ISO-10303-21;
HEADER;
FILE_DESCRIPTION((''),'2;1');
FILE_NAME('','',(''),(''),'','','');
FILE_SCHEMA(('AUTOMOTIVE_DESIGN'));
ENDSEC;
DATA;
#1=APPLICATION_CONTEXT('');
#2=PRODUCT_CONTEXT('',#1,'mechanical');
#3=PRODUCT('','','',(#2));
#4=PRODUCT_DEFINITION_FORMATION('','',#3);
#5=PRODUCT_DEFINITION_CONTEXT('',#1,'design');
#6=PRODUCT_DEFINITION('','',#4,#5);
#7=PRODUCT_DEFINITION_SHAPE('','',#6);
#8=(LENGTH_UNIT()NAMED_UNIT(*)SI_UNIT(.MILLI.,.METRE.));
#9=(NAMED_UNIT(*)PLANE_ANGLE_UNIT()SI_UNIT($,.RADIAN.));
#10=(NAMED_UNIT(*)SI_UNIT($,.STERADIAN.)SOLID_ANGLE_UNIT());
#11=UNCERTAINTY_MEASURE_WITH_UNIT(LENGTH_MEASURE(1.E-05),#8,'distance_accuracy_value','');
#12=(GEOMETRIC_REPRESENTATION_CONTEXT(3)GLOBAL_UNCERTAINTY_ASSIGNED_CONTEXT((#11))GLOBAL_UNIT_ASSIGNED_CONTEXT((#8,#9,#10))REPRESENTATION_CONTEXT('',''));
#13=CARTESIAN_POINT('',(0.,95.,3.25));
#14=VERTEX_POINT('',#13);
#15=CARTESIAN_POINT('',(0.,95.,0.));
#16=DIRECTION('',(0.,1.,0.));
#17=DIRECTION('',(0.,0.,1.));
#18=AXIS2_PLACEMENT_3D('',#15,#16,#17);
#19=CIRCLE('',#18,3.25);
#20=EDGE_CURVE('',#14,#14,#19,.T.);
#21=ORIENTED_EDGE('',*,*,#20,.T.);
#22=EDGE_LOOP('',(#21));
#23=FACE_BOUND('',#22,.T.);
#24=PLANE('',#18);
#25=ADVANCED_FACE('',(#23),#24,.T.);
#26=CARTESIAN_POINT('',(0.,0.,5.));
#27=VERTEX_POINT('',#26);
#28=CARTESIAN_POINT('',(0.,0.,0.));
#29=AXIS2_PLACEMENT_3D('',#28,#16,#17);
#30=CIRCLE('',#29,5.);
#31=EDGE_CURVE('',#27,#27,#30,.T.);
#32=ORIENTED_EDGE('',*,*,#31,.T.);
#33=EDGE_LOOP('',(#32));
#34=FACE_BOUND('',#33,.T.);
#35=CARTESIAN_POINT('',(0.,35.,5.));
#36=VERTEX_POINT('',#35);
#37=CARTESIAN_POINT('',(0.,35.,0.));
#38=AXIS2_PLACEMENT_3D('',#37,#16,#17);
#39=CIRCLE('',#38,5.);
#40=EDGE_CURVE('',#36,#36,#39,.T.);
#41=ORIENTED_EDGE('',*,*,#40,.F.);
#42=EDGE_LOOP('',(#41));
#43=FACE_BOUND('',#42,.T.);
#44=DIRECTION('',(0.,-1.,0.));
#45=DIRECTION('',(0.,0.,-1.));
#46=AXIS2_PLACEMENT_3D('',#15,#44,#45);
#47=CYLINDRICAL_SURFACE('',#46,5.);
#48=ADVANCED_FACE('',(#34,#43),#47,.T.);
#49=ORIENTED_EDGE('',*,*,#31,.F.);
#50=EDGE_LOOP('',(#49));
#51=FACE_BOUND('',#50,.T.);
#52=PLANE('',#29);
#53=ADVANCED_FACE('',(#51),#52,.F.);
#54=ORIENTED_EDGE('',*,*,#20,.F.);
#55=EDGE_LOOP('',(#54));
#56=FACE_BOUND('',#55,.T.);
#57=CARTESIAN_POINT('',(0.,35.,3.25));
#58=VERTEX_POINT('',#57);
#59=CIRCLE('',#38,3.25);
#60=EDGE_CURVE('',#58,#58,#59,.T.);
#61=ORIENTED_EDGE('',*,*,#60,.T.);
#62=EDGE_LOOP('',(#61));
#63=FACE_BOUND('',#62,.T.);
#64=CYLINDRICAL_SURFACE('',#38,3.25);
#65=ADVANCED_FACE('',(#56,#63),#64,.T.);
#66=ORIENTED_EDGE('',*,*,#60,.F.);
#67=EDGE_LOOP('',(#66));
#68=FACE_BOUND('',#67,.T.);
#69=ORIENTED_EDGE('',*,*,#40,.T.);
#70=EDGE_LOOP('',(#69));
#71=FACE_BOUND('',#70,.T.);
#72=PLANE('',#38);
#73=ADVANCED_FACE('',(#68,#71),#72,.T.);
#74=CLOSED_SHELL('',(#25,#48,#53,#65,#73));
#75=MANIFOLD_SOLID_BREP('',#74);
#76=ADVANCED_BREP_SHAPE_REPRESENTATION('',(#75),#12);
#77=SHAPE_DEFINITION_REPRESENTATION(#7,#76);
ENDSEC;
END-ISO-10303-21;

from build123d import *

# Parameters (mm, degrees)
SKETCH1_R           = 5
BOSS_EXTRUDE1_DEPTH = 95
CUT_EXTRUDE1_START  = -60
SKETCH2_R           = 5
SKETCH2_R_2         = 3.25
CUT_EXTRUDE1_DEPTH  = 60


with BuildPart() as part:
    # Sketch1 → Boss-Extrude1 (new body)
    with BuildSketch(Plane(origin=(0, 0, 0), x_dir=(1, 0, 0), z_dir=(0, 1, 0))):
        with Locations(Location((0, 0, 0), (0, 0, 270))):
            Circle(SKETCH1_R)
    extrude(amount=BOSS_EXTRUDE1_DEPTH)

    # Sketch2 → Cut-Extrude1 (cut)
    with BuildSketch(Plane(origin=(0, 95, 0), x_dir=(1, 0, 0), z_dir=(0, 1, 0)).offset(CUT_EXTRUDE1_START)):
        with Locations(Location((0, 0, 0), (0, 0, 270))):
            Circle(SKETCH2_R)
        with Locations(Location((0, 0, 0), (0, 0, 270))):
            Circle(SKETCH2_R_2, mode=Mode.SUBTRACT)
    extrude(amount=CUT_EXTRUDE1_DEPTH, mode=Mode.SUBTRACT)


solid = part.part
